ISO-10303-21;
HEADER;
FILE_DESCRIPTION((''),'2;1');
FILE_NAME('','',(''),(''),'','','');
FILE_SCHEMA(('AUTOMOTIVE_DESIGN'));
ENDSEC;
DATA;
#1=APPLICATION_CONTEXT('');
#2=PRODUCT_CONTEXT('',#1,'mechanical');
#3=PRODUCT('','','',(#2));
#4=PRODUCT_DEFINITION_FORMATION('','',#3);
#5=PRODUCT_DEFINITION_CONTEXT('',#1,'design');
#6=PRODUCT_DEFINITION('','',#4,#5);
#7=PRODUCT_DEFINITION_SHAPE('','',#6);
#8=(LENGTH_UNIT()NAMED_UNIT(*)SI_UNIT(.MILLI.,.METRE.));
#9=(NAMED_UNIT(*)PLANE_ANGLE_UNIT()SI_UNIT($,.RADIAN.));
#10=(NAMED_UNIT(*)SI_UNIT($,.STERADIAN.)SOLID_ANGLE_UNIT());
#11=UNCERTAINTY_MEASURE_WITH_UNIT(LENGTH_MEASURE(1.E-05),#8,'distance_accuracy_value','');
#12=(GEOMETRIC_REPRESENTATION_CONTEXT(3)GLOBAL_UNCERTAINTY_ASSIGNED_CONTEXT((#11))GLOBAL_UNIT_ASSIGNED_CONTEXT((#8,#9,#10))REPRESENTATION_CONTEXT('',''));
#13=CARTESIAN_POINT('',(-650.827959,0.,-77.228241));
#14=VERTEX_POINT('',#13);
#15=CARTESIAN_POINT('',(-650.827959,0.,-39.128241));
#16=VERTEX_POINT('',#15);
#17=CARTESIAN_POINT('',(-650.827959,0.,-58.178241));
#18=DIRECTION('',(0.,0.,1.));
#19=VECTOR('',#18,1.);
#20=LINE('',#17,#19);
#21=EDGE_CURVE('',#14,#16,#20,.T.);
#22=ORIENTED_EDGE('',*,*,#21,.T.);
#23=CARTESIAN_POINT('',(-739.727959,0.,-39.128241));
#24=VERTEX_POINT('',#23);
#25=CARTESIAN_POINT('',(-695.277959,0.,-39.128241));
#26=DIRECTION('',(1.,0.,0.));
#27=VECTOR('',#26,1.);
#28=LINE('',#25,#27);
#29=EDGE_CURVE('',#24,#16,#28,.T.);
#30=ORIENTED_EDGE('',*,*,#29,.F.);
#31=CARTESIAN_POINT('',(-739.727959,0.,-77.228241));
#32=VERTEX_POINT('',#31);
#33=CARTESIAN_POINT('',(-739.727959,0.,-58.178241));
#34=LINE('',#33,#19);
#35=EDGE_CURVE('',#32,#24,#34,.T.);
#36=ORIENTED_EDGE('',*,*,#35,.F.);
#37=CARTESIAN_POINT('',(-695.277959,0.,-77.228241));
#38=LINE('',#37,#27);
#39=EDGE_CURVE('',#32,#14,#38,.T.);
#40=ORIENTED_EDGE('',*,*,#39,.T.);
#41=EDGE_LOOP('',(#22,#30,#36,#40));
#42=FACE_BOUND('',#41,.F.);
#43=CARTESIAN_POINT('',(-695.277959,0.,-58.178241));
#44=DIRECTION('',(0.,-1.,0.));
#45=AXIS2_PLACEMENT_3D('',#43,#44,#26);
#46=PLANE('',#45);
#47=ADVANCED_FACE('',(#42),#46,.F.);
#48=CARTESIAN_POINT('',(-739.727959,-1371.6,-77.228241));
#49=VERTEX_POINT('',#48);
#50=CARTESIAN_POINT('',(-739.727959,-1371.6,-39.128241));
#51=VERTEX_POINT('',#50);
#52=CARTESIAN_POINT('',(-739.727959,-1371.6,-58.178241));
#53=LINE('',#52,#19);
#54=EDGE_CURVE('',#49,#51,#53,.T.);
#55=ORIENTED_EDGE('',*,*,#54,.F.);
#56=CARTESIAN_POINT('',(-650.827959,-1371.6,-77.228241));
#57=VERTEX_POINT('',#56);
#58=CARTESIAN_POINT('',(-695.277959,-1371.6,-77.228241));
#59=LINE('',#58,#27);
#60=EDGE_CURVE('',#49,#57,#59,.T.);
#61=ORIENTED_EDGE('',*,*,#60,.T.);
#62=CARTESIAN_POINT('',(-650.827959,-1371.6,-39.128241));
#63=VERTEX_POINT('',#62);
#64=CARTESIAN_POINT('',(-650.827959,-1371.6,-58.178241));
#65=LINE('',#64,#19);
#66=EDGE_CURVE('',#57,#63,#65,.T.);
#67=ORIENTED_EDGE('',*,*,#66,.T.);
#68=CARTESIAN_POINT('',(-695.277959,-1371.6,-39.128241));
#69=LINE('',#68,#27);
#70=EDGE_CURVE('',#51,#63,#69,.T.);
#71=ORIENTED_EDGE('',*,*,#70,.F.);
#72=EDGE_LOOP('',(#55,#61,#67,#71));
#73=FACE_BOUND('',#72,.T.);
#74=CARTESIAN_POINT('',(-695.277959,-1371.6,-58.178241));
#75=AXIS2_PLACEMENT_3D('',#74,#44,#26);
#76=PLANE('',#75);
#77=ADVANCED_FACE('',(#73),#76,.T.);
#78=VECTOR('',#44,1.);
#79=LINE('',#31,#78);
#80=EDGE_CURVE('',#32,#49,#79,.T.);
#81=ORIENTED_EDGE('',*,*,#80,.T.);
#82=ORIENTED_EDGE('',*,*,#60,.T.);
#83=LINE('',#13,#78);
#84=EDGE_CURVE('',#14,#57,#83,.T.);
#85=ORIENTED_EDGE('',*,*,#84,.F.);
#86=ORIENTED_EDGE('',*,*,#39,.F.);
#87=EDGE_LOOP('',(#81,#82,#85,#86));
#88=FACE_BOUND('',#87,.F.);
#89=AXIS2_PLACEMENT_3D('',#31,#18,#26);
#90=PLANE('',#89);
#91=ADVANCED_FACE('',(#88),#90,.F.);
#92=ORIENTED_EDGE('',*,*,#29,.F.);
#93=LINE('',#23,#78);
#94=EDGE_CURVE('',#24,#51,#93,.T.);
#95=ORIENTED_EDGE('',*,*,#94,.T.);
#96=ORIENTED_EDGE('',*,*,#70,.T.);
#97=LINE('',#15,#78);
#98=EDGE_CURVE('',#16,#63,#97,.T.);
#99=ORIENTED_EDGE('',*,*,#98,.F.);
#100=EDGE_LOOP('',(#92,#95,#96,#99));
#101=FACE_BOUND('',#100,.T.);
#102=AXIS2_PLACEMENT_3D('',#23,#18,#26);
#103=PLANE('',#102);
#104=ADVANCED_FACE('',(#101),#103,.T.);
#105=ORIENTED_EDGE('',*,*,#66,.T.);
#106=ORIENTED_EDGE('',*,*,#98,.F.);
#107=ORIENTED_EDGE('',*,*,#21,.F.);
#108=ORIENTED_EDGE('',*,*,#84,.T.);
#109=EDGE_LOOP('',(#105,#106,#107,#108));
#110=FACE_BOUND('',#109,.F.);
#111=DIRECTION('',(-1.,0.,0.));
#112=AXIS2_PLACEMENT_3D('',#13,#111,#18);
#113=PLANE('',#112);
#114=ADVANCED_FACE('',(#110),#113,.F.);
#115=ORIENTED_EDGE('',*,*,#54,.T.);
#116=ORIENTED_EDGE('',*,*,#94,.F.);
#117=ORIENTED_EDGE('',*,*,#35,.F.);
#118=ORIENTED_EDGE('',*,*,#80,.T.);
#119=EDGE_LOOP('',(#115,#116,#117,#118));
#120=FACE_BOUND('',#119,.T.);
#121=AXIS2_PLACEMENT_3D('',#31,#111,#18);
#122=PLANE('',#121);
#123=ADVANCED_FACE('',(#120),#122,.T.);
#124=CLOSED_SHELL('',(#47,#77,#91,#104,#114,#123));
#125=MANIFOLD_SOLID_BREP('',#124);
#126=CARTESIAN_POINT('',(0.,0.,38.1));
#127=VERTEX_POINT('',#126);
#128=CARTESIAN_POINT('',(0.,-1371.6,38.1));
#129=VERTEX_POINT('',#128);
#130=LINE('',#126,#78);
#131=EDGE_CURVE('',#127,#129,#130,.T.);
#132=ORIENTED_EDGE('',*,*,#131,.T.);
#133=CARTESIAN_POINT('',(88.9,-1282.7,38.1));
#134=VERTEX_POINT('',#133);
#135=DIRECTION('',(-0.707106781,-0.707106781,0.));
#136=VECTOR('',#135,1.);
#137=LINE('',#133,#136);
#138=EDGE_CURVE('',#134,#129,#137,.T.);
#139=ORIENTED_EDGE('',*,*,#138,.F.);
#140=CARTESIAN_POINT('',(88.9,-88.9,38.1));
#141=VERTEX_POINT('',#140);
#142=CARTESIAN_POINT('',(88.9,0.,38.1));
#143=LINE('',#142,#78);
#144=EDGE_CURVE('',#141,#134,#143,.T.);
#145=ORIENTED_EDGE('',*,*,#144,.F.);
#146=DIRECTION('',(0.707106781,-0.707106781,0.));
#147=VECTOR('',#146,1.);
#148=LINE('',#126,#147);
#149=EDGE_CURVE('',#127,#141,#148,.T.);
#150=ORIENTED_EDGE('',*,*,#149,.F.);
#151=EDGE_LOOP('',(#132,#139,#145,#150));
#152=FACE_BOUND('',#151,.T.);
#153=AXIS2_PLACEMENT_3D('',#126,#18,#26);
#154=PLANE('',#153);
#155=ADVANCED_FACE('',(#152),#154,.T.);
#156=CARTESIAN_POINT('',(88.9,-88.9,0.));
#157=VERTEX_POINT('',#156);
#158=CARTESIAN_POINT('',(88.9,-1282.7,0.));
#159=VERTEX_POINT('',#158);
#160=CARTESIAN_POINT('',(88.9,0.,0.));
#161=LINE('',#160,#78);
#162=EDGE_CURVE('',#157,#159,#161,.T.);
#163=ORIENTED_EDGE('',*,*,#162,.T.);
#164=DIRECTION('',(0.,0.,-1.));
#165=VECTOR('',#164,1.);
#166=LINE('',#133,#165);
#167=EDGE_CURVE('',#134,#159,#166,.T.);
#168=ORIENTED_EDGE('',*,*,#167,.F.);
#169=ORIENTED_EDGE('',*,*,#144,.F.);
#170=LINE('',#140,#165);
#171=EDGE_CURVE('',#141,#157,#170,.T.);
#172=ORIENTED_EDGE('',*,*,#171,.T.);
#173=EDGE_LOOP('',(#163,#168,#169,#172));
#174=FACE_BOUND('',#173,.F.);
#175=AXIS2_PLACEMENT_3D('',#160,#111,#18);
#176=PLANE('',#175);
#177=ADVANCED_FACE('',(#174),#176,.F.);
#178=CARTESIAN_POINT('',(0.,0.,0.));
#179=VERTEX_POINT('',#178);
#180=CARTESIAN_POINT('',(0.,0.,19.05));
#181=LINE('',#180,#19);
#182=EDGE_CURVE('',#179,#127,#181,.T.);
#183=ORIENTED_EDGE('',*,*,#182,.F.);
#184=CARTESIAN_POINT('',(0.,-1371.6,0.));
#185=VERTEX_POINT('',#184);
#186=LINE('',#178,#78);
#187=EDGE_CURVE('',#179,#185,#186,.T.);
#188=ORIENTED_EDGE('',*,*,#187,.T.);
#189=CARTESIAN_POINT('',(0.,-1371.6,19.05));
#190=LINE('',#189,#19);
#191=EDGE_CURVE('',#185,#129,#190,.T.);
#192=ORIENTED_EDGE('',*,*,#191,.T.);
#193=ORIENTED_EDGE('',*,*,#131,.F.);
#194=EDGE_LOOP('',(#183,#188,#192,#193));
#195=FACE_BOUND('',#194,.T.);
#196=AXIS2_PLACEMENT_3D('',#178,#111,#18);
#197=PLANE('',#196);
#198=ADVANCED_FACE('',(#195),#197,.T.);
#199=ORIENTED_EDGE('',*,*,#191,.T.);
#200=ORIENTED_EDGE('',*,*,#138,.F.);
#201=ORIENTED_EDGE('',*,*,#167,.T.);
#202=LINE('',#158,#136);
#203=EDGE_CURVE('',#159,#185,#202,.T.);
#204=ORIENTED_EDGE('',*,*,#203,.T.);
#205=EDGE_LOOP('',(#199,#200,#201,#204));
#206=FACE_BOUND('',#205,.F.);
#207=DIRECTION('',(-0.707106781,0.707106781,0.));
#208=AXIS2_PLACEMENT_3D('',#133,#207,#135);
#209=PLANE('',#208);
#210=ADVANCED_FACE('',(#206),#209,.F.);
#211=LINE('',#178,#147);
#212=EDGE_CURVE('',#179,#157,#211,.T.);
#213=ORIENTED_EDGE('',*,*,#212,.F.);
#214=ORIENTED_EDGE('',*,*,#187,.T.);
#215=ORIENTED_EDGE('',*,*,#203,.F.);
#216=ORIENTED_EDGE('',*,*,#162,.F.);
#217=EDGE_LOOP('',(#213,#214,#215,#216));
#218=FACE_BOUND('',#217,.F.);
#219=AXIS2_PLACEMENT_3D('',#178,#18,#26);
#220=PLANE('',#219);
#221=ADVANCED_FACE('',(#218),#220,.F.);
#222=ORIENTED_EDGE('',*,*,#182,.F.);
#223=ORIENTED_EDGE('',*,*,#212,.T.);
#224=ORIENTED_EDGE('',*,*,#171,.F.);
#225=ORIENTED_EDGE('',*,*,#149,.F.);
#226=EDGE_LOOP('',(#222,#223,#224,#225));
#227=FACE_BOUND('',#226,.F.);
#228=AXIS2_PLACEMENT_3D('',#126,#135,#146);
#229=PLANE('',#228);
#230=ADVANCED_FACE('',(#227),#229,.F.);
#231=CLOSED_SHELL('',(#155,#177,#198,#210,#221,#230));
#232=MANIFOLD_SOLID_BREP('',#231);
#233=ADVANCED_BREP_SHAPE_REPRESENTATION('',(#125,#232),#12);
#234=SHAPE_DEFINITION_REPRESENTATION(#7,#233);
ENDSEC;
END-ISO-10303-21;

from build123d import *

# Parameters (mm, degrees)
F0_W     = 88.9
F0_H     = 38.1
F1_DEPTH = 1371.6
F3_DEPTH = 38.1
F4_W     = 88.9
F4_H     = 38.1
F5_DEPTH = 1371.6


with BuildPart() as f1:
    # F0 (on Front) → F1 (new body)
    with BuildSketch(Plane.XZ):
        with Locations((44.45, 19.05)):
            Rectangle(F0_W, F0_H)
    extrude(amount=F1_DEPTH)

    # F2 (on face) → F3 (cut, through all)
    with BuildSketch(Plane.XY.offset(38.1)):
        Polygon((88.9, -1282.7), (0, -1371.6), (88.9, -1371.6), align=None)
        Polygon((0, 0), (88.9, -88.9), (88.9, 0), align=None)
    extrude(amount=-F3_DEPTH, mode=Mode.SUBTRACT)


with BuildPart() as f5:
    # F4 (on Front) → F5 (new body)
    with BuildSketch(Plane.XZ):
        with Locations((-695.277959, -58.178241)):
            Rectangle(F4_W, F4_H)
    extrude(amount=F5_DEPTH)


solid = Compound([f1.part, f5.part])
